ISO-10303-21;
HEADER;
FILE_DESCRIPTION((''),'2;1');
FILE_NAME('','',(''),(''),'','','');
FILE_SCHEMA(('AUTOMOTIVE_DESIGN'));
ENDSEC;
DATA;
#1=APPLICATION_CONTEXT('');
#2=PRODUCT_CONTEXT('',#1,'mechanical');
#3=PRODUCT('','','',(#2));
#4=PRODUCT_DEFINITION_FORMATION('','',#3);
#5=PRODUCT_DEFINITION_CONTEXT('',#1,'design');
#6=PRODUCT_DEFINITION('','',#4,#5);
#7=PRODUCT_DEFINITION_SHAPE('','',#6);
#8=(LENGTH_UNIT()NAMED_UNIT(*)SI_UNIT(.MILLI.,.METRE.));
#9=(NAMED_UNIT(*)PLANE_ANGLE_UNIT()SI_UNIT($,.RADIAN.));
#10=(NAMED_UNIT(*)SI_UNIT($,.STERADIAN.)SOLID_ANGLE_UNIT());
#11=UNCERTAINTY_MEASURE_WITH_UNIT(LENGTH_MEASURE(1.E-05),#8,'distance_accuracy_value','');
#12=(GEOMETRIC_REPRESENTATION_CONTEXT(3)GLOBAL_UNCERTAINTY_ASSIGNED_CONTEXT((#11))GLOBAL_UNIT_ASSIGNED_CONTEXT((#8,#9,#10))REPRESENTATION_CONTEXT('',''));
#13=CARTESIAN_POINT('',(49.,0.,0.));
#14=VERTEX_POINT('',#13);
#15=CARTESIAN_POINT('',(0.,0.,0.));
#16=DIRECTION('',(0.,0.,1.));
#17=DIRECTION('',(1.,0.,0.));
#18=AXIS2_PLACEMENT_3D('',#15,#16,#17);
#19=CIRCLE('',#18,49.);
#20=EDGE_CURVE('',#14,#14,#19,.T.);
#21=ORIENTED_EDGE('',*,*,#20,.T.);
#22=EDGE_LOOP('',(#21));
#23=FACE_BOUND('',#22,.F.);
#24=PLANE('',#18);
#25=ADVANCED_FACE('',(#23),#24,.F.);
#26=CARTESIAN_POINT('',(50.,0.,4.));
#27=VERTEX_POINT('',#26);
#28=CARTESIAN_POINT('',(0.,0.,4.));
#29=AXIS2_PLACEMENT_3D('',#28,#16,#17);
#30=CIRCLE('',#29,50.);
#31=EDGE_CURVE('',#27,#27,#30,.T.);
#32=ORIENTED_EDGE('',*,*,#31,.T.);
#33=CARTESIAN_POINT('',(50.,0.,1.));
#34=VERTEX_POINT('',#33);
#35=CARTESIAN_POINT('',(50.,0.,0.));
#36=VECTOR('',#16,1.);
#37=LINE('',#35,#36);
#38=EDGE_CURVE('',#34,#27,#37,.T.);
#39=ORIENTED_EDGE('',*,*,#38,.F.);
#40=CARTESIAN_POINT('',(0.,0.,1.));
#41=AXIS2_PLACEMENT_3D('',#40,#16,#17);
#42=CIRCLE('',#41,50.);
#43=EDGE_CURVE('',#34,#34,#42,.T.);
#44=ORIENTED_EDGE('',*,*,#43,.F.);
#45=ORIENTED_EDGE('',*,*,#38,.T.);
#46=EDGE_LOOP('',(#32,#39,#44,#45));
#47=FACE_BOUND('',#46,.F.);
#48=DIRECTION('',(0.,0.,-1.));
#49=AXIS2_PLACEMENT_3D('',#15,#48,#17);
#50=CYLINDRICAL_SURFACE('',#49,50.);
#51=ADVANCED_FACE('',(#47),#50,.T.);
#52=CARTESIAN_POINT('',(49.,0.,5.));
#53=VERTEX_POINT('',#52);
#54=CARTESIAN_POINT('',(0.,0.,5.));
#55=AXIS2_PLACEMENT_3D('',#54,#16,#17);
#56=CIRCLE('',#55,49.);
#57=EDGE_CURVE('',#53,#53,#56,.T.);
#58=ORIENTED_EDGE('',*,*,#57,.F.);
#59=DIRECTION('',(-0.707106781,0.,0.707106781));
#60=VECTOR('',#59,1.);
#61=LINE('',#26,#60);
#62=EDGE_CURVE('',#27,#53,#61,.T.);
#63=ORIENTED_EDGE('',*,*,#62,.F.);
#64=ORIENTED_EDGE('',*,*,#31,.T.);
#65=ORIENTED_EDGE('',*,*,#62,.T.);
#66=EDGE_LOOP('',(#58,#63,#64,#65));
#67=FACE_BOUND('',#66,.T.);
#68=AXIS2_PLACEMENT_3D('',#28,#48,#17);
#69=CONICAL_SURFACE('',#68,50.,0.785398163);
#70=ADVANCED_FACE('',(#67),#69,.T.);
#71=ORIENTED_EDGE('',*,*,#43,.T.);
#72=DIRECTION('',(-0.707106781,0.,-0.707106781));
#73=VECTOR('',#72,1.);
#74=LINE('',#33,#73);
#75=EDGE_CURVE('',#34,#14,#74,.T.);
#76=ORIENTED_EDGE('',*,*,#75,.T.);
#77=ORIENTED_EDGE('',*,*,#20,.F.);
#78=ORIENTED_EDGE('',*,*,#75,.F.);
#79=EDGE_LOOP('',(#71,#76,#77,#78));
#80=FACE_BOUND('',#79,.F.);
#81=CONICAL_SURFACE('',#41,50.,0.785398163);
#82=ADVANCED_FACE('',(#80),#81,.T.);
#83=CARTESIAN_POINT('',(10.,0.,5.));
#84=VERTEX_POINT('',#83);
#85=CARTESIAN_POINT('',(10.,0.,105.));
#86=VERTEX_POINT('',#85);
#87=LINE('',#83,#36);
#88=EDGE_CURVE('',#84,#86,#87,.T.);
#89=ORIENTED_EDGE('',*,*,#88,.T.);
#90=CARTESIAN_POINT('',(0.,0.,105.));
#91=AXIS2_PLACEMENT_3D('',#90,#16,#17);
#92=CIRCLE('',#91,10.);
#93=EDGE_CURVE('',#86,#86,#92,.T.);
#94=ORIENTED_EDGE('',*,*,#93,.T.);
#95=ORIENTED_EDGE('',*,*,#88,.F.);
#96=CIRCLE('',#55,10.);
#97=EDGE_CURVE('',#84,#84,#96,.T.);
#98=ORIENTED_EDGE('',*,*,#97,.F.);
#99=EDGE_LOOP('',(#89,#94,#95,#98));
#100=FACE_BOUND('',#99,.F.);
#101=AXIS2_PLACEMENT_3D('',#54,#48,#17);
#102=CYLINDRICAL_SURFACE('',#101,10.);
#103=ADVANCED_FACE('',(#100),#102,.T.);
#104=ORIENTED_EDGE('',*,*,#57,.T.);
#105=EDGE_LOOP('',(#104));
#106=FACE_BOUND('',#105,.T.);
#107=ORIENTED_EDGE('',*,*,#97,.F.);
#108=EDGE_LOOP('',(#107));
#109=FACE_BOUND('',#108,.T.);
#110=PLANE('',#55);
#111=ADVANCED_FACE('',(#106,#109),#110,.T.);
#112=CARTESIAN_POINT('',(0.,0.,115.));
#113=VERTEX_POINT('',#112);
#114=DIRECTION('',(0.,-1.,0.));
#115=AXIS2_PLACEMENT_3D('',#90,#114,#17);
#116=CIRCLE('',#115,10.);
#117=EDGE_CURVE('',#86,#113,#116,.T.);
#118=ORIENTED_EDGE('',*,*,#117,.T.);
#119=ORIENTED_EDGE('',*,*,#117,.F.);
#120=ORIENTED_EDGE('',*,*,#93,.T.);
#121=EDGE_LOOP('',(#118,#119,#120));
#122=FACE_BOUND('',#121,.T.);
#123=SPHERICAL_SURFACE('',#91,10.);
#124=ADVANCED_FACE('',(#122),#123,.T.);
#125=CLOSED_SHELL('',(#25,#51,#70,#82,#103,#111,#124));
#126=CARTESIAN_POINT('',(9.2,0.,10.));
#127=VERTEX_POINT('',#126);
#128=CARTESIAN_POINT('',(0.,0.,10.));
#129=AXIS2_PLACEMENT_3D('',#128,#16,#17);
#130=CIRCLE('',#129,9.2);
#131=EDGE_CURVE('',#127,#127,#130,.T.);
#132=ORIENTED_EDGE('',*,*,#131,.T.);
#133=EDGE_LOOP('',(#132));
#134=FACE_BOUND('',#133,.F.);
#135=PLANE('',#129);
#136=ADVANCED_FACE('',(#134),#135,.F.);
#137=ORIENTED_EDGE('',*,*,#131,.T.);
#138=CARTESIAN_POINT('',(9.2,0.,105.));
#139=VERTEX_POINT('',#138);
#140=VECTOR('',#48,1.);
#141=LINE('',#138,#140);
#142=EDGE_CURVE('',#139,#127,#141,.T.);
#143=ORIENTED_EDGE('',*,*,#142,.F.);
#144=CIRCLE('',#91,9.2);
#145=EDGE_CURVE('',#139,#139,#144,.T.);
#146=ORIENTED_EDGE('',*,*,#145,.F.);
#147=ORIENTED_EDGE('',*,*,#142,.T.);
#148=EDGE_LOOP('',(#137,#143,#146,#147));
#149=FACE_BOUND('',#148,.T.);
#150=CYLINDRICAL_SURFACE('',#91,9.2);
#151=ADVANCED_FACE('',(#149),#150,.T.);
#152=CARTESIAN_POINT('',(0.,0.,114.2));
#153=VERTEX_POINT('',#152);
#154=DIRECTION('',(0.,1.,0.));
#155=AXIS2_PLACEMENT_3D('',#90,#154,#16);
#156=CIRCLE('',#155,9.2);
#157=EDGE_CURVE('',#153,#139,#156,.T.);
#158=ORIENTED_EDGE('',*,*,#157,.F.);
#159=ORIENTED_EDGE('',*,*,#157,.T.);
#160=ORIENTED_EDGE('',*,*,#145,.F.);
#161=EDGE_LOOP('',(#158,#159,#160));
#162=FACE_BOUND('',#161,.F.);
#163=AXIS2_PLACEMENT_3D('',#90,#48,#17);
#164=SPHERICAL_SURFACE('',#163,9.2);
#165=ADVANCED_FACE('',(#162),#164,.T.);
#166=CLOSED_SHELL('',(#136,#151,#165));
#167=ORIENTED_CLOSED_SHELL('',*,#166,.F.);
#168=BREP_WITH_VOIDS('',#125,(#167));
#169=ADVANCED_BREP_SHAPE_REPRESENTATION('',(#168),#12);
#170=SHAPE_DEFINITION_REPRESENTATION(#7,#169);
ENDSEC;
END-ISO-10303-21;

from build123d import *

# Parameters (mm, degrees)
F0_R     = 50
F1_DEPTH = 5
F2_R     = 10
F3_DEPTH = 100
F4_R     = 9.2
F5_DEPTH = 95
F6_SIZE  = 1


with BuildPart() as f1:
    # F0 (on Top) → F1 (new body)
    with BuildSketch(Plane.XY):
        Circle(F0_R)
    extrude(amount=F1_DEPTH)

    # F2 (on face) → F3 (join)
    with BuildSketch(Plane.XY.offset(5)):
        Circle(F2_R)
    extrude(amount=F3_DEPTH)

    # F4 (on face) → F5 (cut, through all)
    with BuildSketch(Plane.XY.offset(105)):
        Circle(F4_R)
    extrude(amount=-F5_DEPTH, mode=Mode.SUBTRACT)

    # F6
    f6_edges = [f1.edges().sort_by_distance(p)[0] for p in [
        (-50, 0, 5),
        (-50, 0, 0),
    ]]
    chamfer(f6_edges, length=F6_SIZE)

    # F7 (on Front) → F8 (revolve)
    with BuildSketch(Plane.XZ):
        with BuildLine():
            Line((9.2, 105), (10, 105))
            ThreePointArc((10, 105), (7.0710678119, 112.0710678119), (0, 115))
            Line((0, 115), (0, 114.2))
            ThreePointArc((0, 114.2), (6.5053823869, 111.5053823869), (9.2, 105))
        make_face()
    revolve(axis=Axis((0, 0, 109.6), (0, 0, 1)))


solid = f1.part
